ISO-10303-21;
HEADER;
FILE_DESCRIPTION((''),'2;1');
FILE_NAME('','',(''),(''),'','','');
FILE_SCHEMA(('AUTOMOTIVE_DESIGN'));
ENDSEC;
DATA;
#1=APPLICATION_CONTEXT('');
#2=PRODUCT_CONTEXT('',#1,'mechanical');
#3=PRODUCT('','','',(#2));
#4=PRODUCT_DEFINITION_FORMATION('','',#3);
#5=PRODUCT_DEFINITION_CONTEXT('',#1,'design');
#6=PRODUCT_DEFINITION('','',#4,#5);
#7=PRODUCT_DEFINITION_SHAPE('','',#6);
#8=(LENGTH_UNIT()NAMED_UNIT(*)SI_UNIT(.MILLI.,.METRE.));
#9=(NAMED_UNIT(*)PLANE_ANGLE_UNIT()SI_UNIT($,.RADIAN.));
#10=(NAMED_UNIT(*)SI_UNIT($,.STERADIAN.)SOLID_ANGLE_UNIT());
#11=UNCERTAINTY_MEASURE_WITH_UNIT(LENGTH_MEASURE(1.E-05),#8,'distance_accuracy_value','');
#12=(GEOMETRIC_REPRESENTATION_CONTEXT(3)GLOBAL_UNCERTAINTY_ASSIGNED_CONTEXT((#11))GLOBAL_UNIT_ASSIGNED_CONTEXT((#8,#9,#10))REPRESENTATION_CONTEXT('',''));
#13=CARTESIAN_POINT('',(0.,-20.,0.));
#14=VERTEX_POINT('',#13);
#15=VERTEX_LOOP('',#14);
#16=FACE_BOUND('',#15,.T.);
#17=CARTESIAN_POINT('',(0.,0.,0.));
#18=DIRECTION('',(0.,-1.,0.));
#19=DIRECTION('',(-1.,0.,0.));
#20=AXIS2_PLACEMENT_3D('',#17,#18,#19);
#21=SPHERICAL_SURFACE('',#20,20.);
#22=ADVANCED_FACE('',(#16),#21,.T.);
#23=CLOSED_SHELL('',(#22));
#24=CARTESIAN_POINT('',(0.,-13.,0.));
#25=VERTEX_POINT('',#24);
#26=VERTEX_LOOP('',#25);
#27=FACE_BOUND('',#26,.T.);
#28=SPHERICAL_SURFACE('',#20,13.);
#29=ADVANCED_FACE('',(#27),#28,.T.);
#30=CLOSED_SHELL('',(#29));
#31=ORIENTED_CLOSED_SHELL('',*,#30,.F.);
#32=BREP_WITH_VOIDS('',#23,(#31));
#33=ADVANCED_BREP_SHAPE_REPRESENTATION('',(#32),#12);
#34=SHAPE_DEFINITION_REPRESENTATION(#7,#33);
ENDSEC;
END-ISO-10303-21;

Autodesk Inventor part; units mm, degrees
ref_plane "YZ Plane" through (0, 0, 0) normal (1, 0, 0) x (0, 1, 0)
ref_plane "XZ Plane" through (0, 0, 0) normal (0, 1, 0) x (-1, 0, 0)
ref_plane "XY Plane" through (0, 0, 0) normal (0, 0, 1) x (1, 0, 0)
sketch "Sketch1" plane through (0, 0, 0) normal (0, 0, 1) x (1, 0, 0)
  arc A0 (0, 20) -> (0, -20) centre (0, 0) ccw
  line L0 (0, 20) -> (0, -20)
  arc A1 (0, 13) -> (0, -13) centre (0, 0) ccw
  dimension "d0" = 40
  dimension "d1" = 13
revolve "Revolution1" add sketch "Sketch1" angle 360 about axis through (0, 20, 0) along (0, -1, 0) contours L0 A1 A0
properties part number "Yellow_dot_squash_ball,Trebuchet" material "Rubber"
